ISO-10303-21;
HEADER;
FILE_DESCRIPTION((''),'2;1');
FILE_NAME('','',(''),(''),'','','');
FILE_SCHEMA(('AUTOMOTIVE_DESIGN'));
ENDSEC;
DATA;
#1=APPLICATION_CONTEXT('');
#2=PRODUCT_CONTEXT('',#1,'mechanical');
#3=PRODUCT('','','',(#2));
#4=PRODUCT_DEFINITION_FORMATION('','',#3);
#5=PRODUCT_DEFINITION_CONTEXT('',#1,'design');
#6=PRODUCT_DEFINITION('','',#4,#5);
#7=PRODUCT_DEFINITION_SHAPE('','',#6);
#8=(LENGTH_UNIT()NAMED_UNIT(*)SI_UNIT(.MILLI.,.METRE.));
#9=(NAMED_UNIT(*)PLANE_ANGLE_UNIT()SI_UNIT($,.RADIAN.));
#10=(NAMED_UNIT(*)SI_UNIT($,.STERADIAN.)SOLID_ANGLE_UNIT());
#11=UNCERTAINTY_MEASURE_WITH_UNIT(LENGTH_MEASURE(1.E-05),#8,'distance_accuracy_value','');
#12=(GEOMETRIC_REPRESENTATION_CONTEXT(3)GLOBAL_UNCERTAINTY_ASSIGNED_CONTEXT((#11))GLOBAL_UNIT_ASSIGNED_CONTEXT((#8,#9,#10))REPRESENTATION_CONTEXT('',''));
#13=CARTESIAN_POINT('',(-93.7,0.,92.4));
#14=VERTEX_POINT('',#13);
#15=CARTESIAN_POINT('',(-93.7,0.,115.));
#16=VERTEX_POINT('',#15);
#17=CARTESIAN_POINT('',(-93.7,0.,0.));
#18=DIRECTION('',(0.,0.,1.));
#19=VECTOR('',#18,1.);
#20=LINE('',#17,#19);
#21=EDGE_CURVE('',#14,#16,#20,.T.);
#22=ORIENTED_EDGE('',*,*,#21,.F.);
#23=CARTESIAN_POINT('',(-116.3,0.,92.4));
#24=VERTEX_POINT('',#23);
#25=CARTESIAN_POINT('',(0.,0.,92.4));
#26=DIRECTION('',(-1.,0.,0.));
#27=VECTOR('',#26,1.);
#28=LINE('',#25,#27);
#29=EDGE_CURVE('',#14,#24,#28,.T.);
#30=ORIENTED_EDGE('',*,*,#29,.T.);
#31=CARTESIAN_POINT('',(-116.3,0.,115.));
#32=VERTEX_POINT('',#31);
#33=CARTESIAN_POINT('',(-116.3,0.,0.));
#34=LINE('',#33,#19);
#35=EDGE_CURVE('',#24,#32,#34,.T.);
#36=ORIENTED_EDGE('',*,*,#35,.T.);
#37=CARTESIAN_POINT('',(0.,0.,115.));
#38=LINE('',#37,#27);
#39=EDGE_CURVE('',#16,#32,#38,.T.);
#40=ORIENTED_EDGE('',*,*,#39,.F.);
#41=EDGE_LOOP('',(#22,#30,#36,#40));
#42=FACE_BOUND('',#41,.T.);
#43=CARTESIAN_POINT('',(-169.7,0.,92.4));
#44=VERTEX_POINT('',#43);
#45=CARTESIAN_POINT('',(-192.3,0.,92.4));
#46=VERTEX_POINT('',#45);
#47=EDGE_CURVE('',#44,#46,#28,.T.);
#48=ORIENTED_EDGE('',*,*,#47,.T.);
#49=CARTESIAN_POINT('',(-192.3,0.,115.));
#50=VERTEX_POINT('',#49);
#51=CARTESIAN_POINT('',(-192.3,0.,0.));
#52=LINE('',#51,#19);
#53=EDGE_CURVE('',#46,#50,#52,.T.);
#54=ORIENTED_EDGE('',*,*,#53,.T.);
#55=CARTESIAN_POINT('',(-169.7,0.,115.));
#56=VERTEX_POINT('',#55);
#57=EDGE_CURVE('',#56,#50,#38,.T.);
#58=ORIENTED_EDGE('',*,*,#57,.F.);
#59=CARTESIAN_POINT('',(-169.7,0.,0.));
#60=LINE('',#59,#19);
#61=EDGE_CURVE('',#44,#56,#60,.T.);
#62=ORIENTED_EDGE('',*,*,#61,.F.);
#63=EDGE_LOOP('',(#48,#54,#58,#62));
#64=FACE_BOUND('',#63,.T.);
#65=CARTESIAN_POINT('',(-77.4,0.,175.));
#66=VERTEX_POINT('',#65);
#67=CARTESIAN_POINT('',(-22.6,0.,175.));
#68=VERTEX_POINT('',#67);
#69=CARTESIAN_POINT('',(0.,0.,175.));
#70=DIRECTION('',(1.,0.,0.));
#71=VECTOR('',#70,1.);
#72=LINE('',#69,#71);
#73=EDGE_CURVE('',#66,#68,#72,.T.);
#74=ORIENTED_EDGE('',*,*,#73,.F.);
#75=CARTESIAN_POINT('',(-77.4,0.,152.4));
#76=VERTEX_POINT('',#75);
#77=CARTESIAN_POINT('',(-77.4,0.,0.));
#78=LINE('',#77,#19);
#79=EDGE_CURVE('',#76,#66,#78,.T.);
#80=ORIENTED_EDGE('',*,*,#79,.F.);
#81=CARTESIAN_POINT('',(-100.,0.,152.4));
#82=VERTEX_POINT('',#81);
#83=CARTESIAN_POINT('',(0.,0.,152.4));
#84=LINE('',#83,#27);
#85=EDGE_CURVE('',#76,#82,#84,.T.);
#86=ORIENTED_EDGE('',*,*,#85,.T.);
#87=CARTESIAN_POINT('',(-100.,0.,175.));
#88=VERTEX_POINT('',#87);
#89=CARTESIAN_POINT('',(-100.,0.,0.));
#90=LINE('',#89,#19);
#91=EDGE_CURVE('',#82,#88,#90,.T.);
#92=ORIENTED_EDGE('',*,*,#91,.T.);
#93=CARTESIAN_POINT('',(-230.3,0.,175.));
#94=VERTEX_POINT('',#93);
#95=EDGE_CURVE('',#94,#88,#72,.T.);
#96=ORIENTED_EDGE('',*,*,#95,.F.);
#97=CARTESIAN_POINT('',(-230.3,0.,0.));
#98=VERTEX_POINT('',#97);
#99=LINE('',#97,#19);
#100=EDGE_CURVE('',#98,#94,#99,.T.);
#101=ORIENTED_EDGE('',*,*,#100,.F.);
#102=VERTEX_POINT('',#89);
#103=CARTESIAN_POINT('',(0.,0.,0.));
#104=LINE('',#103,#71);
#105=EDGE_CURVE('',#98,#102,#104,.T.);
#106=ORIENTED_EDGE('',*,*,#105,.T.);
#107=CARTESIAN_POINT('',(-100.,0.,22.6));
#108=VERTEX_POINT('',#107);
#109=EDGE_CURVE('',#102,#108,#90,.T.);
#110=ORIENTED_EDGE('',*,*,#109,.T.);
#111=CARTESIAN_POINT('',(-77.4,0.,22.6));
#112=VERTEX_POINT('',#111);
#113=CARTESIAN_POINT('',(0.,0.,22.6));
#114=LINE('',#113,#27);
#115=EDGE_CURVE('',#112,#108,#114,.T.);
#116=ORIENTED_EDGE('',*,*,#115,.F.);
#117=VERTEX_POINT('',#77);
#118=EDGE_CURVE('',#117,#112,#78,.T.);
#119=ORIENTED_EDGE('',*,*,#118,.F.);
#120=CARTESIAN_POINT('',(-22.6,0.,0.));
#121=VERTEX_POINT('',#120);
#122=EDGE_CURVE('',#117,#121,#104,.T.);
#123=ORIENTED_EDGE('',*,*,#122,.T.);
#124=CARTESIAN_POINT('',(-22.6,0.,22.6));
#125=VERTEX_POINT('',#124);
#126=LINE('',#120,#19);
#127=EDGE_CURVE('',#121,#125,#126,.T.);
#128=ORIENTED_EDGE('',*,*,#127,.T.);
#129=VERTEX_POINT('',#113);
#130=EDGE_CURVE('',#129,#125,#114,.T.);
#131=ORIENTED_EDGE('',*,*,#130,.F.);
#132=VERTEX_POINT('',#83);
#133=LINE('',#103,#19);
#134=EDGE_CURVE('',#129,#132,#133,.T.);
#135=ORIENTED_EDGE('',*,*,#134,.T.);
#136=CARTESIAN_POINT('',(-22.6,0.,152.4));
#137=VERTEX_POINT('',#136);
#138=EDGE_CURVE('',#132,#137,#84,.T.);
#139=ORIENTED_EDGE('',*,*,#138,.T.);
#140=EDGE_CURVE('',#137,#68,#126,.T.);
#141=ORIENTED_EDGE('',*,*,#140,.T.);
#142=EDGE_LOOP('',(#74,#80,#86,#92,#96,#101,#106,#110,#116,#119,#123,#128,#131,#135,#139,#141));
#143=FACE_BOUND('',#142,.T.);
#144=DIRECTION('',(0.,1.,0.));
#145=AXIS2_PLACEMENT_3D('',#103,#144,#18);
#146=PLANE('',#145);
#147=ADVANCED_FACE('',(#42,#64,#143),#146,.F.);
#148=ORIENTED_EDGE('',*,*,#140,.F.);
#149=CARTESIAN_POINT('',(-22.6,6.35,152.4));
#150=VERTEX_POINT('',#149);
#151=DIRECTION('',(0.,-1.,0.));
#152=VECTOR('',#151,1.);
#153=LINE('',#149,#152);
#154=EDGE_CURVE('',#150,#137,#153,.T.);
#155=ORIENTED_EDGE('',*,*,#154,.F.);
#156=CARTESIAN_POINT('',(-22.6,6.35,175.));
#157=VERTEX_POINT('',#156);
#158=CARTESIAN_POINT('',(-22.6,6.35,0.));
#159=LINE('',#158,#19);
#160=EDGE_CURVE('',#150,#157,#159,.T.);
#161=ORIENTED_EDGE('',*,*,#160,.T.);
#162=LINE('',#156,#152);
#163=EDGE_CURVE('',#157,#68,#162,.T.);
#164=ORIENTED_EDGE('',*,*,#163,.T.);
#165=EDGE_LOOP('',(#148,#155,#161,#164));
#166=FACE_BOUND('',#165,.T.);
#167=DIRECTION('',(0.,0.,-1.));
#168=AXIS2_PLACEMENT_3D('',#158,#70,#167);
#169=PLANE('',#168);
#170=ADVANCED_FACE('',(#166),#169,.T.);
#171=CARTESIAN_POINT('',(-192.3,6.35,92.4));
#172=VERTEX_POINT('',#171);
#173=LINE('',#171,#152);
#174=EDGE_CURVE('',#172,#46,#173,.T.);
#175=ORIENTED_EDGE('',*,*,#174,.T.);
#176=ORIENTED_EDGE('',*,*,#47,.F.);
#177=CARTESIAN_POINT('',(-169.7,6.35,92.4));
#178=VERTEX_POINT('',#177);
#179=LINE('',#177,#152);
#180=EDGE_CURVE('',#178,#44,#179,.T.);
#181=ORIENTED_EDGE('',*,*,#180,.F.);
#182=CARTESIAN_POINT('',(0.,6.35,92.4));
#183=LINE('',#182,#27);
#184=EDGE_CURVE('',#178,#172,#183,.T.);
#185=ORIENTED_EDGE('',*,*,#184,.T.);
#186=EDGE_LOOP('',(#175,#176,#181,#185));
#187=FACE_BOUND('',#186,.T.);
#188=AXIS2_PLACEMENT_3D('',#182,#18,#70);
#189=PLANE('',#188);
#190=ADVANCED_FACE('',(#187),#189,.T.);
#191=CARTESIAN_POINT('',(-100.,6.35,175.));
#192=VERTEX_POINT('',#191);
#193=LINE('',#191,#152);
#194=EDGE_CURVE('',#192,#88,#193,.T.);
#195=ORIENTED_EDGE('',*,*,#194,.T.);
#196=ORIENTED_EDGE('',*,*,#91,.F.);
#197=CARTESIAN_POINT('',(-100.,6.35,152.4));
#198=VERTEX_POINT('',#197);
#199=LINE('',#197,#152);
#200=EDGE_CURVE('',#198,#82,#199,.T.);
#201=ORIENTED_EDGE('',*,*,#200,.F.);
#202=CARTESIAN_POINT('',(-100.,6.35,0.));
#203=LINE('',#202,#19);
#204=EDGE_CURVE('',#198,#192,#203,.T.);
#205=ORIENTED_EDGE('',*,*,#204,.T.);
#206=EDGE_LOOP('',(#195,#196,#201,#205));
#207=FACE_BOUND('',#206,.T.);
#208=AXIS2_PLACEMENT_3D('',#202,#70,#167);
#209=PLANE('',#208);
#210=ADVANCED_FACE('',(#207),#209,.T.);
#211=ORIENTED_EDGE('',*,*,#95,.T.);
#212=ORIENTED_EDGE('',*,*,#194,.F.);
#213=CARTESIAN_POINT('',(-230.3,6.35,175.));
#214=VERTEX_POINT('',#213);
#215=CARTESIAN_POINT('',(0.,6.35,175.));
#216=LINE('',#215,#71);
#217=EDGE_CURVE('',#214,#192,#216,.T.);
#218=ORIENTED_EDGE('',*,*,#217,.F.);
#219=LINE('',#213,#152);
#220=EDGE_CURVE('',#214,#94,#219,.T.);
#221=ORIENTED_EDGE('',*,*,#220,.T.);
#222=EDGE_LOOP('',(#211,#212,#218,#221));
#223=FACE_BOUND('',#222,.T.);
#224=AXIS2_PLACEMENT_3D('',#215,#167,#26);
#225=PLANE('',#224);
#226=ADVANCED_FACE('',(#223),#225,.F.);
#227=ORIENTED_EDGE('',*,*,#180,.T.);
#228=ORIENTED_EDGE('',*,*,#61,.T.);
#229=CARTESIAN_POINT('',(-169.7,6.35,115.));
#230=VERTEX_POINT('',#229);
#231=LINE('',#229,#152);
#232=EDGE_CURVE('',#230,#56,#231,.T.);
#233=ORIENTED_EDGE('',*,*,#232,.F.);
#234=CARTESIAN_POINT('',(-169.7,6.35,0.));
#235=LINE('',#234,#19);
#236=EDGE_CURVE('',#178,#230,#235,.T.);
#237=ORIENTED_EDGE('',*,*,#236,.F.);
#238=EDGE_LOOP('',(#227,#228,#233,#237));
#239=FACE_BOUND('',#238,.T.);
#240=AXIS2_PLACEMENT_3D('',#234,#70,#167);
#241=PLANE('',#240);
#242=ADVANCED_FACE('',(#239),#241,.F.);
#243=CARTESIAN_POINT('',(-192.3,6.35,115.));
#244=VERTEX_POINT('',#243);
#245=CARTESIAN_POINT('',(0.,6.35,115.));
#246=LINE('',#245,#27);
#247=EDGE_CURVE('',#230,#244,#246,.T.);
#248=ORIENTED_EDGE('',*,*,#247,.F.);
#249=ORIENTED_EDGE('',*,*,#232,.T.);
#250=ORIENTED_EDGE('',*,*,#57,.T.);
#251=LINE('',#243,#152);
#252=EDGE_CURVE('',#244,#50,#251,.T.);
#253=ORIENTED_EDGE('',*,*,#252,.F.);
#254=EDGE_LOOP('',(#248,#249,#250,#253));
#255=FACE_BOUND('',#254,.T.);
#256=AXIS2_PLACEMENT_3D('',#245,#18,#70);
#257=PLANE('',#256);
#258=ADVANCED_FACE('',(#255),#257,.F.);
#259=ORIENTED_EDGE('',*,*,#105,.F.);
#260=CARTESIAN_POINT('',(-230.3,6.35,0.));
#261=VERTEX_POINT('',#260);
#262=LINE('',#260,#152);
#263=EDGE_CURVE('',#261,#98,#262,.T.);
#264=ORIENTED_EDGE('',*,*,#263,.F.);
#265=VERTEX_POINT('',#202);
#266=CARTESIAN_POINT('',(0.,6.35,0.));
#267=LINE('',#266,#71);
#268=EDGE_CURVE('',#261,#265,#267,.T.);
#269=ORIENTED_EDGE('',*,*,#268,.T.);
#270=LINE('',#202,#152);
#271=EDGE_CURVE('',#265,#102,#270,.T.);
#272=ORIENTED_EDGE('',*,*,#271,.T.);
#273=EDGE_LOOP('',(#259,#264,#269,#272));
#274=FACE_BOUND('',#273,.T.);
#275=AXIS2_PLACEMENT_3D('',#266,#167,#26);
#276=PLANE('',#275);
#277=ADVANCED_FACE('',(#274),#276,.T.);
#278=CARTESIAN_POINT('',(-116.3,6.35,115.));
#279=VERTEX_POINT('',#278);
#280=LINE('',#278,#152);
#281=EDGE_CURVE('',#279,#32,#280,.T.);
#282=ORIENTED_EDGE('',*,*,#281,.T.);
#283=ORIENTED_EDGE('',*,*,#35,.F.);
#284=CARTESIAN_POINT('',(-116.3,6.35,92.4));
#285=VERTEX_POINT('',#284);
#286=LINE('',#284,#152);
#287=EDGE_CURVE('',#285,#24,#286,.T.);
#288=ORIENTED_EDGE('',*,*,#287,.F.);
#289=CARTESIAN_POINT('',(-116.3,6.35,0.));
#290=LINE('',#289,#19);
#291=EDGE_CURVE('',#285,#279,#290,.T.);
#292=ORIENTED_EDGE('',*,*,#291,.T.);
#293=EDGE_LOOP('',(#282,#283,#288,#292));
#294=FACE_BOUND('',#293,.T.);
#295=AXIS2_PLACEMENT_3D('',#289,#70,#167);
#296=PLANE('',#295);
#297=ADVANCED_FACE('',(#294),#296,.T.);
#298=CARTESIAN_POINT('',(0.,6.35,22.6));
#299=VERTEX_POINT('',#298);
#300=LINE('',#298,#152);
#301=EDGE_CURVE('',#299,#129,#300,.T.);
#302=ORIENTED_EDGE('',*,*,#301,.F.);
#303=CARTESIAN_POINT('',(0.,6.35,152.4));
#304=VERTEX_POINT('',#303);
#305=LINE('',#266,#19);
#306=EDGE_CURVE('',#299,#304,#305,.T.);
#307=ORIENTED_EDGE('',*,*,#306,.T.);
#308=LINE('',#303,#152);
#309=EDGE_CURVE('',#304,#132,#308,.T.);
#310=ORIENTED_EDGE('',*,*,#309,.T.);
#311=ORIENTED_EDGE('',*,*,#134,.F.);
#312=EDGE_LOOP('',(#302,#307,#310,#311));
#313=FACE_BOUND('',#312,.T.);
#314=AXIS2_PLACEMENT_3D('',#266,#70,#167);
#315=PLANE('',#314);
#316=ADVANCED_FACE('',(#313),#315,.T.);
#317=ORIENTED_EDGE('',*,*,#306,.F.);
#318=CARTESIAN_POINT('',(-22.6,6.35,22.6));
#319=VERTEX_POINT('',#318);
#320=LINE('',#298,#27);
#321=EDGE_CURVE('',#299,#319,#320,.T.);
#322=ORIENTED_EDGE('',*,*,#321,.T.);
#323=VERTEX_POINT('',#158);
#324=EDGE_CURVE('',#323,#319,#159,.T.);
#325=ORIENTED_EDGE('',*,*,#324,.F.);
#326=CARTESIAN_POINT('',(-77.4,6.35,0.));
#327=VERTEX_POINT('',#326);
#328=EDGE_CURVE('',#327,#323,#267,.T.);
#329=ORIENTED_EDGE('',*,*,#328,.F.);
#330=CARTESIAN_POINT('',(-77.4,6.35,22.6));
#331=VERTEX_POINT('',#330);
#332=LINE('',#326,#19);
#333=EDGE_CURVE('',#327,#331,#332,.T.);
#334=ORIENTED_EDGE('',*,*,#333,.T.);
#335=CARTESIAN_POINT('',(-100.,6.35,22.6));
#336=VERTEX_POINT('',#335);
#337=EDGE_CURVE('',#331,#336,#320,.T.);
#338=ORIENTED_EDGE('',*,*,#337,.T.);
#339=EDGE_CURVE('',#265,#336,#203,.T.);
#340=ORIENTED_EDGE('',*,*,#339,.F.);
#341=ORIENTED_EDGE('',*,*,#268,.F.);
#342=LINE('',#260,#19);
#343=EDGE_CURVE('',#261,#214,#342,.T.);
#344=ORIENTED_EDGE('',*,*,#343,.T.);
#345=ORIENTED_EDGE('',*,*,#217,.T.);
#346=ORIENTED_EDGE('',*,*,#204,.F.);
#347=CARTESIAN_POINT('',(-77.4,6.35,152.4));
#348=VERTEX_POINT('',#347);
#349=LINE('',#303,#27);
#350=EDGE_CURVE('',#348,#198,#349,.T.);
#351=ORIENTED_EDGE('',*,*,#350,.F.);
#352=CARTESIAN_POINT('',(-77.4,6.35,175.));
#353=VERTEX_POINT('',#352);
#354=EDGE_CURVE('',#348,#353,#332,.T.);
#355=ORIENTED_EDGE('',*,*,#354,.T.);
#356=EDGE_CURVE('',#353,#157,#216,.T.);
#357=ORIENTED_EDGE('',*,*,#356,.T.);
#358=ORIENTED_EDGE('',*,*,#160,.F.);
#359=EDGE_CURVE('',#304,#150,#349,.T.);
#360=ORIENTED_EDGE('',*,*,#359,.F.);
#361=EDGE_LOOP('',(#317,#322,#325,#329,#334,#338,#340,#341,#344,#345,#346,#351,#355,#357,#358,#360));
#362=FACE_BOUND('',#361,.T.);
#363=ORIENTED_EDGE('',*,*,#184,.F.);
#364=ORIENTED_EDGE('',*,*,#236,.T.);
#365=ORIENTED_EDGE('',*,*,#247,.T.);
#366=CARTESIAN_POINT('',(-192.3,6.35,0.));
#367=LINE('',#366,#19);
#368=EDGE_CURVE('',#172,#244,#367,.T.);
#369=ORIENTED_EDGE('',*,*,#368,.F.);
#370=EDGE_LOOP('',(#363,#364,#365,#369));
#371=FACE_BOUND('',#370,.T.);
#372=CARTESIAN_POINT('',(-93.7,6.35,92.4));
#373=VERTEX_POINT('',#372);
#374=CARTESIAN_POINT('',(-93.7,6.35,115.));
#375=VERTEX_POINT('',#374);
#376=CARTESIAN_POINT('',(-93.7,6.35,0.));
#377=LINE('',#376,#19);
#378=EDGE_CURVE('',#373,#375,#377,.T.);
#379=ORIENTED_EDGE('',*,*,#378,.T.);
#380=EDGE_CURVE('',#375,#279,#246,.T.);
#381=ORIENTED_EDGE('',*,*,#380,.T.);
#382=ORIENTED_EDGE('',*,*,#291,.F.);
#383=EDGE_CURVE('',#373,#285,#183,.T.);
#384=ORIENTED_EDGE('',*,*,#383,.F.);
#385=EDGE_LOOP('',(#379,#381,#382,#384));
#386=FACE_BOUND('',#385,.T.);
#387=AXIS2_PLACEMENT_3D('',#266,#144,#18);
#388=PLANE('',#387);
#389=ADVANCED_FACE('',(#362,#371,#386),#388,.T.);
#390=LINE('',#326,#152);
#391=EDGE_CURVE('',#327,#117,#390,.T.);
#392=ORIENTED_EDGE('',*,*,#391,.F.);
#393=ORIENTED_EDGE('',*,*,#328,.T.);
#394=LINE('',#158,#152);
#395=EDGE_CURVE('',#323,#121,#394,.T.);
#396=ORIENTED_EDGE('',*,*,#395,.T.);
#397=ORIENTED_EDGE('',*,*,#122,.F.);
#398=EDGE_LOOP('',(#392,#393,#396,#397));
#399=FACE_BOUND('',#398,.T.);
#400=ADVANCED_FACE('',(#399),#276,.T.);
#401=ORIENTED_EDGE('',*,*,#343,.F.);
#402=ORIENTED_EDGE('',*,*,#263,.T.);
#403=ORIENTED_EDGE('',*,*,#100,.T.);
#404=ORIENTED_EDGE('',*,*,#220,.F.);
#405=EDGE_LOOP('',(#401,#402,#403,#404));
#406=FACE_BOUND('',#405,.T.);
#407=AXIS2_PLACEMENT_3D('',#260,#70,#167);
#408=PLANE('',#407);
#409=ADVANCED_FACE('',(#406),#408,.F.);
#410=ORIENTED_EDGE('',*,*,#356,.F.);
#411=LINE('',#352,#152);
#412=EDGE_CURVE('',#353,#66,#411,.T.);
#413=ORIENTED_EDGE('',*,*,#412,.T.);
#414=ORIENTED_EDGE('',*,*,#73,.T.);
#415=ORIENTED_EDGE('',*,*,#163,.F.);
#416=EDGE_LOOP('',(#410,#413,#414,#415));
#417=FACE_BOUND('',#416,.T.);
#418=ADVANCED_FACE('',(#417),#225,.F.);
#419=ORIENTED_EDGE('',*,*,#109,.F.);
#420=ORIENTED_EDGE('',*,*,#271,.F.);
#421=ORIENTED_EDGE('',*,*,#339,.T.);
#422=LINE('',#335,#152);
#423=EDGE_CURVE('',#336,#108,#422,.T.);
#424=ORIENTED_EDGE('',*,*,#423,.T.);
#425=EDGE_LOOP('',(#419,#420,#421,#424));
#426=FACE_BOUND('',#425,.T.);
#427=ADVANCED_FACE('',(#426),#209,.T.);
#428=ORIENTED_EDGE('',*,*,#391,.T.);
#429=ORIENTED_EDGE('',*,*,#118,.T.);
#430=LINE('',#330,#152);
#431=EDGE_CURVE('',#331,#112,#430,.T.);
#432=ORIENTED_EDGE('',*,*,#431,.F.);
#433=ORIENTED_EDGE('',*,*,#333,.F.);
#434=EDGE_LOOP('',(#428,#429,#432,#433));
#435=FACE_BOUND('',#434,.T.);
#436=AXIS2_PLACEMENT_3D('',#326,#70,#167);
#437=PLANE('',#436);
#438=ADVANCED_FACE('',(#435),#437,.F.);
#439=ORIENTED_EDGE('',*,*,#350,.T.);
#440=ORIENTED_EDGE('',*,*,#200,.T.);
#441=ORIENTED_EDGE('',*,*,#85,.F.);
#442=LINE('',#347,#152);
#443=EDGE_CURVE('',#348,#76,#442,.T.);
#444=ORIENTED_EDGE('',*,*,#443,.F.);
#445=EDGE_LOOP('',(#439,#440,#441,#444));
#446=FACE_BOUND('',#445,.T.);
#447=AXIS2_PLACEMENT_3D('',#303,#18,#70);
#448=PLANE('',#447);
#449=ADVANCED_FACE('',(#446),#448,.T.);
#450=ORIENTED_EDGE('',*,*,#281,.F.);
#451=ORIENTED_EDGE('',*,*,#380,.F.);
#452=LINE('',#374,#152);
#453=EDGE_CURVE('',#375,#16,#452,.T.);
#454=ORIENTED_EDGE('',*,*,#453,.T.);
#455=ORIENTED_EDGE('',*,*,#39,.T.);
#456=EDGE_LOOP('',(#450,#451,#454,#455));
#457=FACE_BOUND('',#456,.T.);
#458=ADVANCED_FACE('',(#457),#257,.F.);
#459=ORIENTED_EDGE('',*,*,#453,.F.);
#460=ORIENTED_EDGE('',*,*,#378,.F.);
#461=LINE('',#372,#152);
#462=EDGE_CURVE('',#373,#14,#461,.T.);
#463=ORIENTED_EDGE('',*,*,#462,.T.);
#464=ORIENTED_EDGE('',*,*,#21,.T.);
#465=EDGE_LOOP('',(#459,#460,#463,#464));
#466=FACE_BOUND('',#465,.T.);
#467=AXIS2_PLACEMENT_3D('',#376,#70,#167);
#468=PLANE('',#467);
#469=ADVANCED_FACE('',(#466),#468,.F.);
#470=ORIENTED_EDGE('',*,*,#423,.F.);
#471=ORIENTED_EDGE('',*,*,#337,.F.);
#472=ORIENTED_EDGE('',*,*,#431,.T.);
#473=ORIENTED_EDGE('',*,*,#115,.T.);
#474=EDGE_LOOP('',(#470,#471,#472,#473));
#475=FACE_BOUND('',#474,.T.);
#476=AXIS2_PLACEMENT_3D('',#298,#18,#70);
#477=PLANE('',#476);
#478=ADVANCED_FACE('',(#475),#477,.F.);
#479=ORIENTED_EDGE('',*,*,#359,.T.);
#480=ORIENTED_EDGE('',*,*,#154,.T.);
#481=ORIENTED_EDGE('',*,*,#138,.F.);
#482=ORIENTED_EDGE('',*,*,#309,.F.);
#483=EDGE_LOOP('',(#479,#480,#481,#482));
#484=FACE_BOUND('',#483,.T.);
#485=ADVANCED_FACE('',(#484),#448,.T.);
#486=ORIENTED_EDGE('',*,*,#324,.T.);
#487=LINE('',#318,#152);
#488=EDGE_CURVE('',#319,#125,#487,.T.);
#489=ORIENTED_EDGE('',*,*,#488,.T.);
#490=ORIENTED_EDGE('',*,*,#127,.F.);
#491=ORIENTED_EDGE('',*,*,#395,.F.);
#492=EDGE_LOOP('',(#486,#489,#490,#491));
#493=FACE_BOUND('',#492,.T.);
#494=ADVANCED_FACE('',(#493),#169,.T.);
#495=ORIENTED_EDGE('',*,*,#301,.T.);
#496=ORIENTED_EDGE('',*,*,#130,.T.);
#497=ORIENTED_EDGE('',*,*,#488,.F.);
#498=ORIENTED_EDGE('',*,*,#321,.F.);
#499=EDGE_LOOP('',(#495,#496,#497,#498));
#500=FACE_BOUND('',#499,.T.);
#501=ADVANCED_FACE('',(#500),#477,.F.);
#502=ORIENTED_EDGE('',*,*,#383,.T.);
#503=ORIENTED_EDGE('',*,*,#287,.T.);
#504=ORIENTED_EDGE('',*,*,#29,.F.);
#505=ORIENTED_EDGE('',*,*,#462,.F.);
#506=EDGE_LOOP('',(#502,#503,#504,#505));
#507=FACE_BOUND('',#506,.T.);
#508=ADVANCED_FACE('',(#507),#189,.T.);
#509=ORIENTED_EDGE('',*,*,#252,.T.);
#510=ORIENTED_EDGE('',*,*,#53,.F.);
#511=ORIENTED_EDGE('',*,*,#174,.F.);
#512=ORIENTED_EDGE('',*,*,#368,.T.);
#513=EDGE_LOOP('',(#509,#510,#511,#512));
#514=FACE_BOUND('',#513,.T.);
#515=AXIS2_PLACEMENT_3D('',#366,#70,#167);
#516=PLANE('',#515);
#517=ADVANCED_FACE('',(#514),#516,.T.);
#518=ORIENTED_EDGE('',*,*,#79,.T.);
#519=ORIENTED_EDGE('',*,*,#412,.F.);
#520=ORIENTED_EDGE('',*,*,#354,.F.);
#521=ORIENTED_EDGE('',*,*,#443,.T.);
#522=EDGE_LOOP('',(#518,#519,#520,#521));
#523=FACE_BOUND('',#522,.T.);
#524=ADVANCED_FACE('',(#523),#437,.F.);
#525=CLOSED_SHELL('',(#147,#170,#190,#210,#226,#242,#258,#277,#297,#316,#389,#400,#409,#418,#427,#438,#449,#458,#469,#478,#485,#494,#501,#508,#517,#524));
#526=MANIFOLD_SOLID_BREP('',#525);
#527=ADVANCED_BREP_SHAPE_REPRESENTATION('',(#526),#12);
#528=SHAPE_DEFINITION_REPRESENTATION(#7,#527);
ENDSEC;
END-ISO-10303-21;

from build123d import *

# Parameters (mm, degrees)
SKETCH1_W           = 22.6
SKETCH1_H           = 22.6
BOSS_EXTRUDE1_DEPTH = 6.35


with BuildPart() as part:
    # Sketch1 → Boss-Extrude1 (new body)
    with BuildSketch(Plane(origin=(0, 0, 0), x_dir=(1, 0, 0), z_dir=(0, 1, 0))):
        Polygon((-100, 0), (-230.3, 0), (-230.3, -175), (-100, -175), (-100, -152.4), (-77.4, -152.4), (-77.4, -175), (-22.6, -175), (-22.6, -152.4), (0, -152.4), (0, -22.6), (-22.6, -22.6), (-22.6, 0), (-77.4, 0), (-77.4, -22.6), (-100, -22.6), align=None)
        with Locations((-181, -103.7)):
            Rectangle(SKETCH1_W, SKETCH1_H, mode=Mode.SUBTRACT)
        with Locations((-105, -103.7)):
            Rectangle(SKETCH1_W, SKETCH1_H, mode=Mode.SUBTRACT)
    extrude(amount=BOSS_EXTRUDE1_DEPTH)


solid = part.part
